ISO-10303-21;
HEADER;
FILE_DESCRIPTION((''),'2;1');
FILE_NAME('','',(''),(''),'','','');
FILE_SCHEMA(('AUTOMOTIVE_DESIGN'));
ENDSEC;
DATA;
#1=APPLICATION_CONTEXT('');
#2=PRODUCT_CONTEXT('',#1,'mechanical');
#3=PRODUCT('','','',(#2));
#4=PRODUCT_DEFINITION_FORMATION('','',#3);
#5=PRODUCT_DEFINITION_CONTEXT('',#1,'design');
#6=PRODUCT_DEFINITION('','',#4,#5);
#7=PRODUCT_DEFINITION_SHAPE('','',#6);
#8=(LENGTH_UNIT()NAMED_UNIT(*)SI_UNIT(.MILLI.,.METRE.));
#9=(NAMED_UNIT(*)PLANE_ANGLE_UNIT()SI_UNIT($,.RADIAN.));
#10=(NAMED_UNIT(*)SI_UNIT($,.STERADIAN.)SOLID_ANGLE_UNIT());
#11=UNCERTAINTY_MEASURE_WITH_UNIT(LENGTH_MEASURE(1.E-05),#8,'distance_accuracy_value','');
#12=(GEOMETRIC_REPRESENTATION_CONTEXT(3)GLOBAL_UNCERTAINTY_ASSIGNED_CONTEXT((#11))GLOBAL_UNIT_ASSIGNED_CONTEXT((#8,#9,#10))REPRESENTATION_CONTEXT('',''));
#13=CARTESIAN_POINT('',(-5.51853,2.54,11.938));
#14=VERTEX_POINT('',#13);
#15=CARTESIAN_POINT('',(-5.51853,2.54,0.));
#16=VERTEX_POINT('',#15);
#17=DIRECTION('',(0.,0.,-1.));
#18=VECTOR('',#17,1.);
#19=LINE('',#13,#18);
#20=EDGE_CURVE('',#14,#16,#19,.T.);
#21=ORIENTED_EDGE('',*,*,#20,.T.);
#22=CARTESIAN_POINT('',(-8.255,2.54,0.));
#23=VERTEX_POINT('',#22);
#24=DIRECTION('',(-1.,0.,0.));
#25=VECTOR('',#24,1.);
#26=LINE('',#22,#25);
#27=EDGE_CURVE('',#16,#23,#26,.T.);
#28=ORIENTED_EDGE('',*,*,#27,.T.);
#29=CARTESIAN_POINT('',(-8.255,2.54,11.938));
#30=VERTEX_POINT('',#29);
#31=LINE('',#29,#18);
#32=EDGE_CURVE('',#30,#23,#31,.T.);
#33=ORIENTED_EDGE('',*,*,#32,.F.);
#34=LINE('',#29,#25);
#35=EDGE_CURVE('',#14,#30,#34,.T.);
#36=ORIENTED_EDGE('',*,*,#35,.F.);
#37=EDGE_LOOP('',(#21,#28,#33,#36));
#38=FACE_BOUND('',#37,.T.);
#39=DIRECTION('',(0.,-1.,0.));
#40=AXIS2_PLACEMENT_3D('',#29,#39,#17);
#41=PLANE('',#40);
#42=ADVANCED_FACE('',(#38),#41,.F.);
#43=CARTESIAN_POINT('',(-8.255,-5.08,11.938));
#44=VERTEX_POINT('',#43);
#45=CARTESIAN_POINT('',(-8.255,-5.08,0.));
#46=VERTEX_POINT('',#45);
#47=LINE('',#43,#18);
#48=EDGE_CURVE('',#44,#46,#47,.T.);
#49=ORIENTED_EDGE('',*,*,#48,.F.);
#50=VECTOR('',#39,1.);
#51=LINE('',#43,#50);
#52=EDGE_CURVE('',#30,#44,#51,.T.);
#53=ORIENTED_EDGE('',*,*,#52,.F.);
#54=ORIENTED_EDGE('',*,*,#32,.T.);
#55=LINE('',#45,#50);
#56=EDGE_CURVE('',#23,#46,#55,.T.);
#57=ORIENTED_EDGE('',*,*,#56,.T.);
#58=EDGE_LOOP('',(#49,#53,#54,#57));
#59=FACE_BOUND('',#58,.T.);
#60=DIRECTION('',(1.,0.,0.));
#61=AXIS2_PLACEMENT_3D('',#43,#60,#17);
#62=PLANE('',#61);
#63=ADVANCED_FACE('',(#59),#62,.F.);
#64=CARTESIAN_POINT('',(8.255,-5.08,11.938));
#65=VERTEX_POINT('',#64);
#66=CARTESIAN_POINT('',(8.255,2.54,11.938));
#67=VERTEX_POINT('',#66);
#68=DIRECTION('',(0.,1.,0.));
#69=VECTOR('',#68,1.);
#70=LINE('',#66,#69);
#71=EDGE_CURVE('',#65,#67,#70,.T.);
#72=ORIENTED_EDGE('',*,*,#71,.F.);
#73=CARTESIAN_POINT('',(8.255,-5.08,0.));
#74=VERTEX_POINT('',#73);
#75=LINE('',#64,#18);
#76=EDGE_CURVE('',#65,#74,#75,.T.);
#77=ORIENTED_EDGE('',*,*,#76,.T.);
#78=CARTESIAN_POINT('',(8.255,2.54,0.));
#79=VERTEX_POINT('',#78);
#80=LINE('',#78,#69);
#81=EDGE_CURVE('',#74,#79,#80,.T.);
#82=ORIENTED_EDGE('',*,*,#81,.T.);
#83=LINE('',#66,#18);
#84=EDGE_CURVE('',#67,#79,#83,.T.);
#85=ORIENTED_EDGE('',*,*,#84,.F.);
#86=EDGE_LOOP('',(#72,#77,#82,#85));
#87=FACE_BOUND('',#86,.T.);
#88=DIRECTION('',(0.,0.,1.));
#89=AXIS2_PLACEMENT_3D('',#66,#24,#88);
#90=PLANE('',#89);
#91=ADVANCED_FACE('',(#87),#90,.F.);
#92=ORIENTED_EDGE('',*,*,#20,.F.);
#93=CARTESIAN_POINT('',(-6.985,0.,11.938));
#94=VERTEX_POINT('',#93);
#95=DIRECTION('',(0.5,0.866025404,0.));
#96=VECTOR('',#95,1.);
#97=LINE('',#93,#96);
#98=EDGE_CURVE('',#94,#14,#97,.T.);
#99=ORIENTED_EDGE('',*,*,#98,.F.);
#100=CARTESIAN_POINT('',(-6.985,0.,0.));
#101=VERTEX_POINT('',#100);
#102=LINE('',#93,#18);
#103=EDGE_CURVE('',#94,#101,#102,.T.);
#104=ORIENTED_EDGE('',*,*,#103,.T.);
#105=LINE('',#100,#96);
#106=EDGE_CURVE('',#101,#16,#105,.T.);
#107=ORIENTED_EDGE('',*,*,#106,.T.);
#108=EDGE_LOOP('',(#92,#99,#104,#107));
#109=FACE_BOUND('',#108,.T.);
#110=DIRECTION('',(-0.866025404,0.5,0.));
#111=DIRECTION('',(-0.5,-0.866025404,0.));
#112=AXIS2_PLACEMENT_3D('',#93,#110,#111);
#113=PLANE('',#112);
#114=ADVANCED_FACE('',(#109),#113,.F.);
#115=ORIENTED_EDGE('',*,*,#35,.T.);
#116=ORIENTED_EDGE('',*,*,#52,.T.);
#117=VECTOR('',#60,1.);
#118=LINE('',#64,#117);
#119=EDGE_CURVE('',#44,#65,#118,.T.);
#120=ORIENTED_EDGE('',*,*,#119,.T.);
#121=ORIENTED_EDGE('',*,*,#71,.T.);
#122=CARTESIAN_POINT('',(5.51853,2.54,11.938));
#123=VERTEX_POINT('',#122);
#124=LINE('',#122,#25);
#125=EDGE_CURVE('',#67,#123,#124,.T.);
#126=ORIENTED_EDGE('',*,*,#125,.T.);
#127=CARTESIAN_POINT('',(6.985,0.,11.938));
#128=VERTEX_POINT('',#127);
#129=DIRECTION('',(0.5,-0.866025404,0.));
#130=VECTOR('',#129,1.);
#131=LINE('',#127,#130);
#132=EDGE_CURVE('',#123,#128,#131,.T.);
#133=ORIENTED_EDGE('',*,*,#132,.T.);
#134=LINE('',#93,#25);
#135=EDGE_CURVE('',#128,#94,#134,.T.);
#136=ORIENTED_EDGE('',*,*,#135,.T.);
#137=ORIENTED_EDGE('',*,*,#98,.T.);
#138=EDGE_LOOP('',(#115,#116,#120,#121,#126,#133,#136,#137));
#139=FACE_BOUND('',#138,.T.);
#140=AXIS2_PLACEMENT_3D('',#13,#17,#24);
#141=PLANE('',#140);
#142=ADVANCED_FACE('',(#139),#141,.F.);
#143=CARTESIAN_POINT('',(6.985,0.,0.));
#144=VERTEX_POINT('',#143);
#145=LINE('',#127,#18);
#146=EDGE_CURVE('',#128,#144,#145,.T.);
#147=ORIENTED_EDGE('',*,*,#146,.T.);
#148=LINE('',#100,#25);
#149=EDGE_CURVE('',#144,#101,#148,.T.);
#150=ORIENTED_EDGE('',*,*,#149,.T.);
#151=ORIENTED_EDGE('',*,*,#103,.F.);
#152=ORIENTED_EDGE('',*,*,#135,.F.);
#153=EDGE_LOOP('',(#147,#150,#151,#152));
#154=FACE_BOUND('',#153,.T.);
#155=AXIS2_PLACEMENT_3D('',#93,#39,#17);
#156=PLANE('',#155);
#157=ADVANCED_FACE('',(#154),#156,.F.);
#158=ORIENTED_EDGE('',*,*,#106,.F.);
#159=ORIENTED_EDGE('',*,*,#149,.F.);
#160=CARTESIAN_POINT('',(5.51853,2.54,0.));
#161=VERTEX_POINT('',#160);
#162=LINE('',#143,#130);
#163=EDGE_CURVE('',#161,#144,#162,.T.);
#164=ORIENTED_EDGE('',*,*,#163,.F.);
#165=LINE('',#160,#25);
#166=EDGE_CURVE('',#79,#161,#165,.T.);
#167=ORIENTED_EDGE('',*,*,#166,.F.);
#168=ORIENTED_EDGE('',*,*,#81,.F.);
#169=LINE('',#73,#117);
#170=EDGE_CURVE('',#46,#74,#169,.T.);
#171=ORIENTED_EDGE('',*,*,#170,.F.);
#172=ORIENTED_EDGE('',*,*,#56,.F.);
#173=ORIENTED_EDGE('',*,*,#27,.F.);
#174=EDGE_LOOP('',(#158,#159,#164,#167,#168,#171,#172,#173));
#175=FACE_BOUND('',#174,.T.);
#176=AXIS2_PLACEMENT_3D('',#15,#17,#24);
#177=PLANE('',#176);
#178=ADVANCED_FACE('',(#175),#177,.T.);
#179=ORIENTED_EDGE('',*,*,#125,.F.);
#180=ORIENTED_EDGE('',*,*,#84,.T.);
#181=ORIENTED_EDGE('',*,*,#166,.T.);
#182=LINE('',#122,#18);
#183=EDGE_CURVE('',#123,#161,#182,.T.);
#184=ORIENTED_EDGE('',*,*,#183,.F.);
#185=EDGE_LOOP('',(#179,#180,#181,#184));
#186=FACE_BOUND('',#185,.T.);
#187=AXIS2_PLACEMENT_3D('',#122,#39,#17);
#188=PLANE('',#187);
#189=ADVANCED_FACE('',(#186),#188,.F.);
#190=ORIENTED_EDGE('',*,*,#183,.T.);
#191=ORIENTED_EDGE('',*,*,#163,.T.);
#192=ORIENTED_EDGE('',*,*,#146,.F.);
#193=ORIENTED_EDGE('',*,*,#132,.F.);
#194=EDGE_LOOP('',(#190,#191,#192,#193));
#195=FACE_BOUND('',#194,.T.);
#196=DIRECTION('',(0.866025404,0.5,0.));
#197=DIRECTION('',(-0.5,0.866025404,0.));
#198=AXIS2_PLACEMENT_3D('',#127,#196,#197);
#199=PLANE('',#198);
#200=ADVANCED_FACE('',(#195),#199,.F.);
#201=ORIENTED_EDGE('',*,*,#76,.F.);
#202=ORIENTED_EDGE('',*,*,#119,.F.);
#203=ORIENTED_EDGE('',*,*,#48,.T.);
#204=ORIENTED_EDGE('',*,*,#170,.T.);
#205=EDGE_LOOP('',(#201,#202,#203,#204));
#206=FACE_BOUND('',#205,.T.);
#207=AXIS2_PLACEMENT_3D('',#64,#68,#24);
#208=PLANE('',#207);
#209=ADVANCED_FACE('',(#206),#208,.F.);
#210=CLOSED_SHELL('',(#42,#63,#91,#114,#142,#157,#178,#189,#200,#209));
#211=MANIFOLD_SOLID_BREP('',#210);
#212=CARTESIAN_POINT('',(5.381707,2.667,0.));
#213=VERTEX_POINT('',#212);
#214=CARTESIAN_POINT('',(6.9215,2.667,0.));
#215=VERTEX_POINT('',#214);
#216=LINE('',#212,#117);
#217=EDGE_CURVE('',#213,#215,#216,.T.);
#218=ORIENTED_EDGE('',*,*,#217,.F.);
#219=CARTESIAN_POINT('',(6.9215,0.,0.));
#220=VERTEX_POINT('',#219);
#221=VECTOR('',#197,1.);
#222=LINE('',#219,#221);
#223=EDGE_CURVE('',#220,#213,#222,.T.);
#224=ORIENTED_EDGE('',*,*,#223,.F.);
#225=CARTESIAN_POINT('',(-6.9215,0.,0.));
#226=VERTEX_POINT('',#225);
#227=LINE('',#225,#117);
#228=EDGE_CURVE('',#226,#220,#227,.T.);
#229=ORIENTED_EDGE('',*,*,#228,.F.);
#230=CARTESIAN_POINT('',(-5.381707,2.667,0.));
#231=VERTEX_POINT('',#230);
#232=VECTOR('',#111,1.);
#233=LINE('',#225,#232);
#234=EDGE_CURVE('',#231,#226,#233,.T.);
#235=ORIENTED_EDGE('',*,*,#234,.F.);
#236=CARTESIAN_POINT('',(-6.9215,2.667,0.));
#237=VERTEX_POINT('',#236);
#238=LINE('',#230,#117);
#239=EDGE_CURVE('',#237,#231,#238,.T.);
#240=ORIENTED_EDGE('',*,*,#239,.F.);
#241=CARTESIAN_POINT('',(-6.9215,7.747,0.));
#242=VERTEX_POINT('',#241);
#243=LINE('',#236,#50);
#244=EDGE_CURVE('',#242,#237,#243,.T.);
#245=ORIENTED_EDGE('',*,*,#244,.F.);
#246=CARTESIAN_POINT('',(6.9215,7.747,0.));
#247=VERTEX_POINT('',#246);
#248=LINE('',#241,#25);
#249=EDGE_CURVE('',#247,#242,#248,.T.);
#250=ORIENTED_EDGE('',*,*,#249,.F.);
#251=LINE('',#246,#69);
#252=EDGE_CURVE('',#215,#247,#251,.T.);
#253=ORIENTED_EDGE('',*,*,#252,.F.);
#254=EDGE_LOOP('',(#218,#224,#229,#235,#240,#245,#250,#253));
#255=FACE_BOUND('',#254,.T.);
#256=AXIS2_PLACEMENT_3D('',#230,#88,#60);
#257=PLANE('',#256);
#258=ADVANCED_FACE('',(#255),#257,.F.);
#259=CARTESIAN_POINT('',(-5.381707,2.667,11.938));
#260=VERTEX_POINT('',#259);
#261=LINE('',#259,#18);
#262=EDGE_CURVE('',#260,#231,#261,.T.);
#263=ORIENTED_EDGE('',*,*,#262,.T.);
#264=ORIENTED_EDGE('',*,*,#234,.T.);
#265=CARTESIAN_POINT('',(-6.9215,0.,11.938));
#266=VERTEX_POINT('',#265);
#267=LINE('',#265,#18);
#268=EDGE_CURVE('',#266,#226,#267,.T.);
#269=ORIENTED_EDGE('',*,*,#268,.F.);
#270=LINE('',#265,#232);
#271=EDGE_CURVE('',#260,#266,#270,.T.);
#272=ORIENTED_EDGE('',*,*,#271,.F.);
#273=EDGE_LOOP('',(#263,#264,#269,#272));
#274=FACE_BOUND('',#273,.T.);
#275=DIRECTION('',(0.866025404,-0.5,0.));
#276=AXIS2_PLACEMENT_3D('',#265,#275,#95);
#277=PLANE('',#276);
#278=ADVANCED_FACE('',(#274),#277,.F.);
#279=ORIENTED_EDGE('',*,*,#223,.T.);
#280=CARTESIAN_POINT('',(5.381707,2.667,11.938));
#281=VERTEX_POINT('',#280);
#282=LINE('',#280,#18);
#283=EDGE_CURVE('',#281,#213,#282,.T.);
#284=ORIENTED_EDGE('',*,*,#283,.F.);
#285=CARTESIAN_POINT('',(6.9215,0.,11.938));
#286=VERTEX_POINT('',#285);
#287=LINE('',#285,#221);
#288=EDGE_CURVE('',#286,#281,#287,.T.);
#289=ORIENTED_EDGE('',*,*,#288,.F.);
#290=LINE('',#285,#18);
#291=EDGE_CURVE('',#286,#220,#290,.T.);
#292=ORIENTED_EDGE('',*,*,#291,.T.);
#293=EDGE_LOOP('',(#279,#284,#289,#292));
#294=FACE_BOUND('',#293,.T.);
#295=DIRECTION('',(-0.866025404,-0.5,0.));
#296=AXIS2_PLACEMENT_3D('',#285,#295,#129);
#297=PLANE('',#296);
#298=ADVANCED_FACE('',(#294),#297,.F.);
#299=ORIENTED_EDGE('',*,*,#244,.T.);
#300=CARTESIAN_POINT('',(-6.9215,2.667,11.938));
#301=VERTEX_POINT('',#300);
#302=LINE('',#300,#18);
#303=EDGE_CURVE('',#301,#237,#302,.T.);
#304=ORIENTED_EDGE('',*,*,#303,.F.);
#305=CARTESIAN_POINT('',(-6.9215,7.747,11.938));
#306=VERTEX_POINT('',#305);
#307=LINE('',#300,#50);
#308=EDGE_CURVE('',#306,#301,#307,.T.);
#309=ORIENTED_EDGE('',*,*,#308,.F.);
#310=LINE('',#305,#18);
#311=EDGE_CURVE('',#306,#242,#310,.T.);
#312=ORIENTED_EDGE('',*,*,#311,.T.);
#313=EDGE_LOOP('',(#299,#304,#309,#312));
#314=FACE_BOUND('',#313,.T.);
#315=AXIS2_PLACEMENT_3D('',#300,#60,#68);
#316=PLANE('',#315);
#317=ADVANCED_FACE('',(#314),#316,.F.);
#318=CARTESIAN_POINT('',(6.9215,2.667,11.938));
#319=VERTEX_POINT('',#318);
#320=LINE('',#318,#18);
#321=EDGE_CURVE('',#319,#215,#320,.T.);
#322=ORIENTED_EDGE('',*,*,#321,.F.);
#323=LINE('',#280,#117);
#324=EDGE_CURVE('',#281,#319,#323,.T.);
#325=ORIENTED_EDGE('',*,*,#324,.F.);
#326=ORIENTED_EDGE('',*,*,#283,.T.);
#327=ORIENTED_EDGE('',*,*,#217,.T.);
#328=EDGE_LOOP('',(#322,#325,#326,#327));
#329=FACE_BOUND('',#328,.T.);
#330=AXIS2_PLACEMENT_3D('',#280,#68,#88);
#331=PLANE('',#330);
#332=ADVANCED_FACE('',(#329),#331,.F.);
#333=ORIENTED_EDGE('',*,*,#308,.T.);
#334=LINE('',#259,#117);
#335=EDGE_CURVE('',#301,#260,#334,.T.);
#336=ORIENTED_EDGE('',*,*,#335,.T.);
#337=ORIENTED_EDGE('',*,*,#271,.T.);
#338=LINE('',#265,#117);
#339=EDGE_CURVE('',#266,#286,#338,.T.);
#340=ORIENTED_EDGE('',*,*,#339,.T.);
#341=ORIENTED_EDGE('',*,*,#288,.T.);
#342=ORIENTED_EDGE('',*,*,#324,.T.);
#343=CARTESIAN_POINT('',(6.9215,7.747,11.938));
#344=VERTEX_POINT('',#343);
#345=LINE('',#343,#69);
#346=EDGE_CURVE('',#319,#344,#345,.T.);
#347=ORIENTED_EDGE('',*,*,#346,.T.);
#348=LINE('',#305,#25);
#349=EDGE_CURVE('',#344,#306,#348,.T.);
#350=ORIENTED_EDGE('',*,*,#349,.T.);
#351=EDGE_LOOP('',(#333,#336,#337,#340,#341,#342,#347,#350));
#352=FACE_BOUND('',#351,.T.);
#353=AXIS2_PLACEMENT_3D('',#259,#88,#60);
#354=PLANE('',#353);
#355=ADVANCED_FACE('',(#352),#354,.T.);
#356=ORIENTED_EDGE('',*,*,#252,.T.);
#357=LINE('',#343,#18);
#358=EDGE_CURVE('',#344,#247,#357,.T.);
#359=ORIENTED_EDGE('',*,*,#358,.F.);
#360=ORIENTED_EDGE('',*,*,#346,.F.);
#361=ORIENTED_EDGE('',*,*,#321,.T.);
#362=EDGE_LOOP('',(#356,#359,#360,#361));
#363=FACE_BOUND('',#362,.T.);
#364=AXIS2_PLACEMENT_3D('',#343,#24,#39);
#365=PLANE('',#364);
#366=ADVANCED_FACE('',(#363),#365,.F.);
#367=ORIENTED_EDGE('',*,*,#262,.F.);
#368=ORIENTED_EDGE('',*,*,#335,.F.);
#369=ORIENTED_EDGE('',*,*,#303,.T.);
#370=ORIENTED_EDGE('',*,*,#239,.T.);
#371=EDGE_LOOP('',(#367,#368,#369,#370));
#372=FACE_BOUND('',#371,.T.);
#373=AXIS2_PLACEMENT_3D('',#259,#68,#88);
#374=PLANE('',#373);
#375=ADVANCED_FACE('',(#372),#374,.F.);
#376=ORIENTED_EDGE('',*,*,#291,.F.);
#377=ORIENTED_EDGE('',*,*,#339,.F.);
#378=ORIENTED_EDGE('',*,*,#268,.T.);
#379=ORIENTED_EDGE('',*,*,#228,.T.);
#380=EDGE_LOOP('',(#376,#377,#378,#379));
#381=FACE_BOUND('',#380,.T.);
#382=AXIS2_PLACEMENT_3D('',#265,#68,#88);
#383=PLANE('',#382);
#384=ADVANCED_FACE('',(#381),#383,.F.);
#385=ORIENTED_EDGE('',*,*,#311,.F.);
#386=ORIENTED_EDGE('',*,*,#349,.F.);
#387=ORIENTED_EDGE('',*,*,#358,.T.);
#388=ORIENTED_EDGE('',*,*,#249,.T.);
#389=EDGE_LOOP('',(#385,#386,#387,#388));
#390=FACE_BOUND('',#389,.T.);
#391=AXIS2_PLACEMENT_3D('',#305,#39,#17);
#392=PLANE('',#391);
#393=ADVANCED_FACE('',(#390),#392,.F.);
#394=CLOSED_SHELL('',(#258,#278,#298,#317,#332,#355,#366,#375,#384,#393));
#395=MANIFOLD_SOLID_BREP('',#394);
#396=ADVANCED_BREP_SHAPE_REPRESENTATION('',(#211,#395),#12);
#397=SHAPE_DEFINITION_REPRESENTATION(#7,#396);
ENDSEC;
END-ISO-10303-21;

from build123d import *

# Parameters (mm, degrees)
EXTRUDE1_DEPTH = 11.938
EXTRUDE2_DEPTH = 11.938


with BuildPart() as part:
    # Sketch1 → Extrude1 (new body)
    with BuildSketch(Plane.XY):
        Polygon((-6.9215, 0), (6.9215, 0), (5.381706832, 2.667), (6.9215, 2.667), (6.9215, 7.747), (-6.9215, 7.747), (-6.9215, 2.667), (-5.381706832, 2.667), align=None)
    extrude(amount=EXTRUDE1_DEPTH)


with BuildPart() as body_2:
    # Sketch2 → Extrude2 (new body)
    with BuildSketch(Plane.XY):
        Polygon((-6.985, 0), (6.985, 0), (5.518530316, 2.54), (8.255, 2.54), (8.255, -5.08), (-8.255, -5.08), (-8.255, 2.54), (-5.518530316, 2.54), align=None)
    extrude(amount=EXTRUDE2_DEPTH)


solid = Compound([part.part, body_2.part])
